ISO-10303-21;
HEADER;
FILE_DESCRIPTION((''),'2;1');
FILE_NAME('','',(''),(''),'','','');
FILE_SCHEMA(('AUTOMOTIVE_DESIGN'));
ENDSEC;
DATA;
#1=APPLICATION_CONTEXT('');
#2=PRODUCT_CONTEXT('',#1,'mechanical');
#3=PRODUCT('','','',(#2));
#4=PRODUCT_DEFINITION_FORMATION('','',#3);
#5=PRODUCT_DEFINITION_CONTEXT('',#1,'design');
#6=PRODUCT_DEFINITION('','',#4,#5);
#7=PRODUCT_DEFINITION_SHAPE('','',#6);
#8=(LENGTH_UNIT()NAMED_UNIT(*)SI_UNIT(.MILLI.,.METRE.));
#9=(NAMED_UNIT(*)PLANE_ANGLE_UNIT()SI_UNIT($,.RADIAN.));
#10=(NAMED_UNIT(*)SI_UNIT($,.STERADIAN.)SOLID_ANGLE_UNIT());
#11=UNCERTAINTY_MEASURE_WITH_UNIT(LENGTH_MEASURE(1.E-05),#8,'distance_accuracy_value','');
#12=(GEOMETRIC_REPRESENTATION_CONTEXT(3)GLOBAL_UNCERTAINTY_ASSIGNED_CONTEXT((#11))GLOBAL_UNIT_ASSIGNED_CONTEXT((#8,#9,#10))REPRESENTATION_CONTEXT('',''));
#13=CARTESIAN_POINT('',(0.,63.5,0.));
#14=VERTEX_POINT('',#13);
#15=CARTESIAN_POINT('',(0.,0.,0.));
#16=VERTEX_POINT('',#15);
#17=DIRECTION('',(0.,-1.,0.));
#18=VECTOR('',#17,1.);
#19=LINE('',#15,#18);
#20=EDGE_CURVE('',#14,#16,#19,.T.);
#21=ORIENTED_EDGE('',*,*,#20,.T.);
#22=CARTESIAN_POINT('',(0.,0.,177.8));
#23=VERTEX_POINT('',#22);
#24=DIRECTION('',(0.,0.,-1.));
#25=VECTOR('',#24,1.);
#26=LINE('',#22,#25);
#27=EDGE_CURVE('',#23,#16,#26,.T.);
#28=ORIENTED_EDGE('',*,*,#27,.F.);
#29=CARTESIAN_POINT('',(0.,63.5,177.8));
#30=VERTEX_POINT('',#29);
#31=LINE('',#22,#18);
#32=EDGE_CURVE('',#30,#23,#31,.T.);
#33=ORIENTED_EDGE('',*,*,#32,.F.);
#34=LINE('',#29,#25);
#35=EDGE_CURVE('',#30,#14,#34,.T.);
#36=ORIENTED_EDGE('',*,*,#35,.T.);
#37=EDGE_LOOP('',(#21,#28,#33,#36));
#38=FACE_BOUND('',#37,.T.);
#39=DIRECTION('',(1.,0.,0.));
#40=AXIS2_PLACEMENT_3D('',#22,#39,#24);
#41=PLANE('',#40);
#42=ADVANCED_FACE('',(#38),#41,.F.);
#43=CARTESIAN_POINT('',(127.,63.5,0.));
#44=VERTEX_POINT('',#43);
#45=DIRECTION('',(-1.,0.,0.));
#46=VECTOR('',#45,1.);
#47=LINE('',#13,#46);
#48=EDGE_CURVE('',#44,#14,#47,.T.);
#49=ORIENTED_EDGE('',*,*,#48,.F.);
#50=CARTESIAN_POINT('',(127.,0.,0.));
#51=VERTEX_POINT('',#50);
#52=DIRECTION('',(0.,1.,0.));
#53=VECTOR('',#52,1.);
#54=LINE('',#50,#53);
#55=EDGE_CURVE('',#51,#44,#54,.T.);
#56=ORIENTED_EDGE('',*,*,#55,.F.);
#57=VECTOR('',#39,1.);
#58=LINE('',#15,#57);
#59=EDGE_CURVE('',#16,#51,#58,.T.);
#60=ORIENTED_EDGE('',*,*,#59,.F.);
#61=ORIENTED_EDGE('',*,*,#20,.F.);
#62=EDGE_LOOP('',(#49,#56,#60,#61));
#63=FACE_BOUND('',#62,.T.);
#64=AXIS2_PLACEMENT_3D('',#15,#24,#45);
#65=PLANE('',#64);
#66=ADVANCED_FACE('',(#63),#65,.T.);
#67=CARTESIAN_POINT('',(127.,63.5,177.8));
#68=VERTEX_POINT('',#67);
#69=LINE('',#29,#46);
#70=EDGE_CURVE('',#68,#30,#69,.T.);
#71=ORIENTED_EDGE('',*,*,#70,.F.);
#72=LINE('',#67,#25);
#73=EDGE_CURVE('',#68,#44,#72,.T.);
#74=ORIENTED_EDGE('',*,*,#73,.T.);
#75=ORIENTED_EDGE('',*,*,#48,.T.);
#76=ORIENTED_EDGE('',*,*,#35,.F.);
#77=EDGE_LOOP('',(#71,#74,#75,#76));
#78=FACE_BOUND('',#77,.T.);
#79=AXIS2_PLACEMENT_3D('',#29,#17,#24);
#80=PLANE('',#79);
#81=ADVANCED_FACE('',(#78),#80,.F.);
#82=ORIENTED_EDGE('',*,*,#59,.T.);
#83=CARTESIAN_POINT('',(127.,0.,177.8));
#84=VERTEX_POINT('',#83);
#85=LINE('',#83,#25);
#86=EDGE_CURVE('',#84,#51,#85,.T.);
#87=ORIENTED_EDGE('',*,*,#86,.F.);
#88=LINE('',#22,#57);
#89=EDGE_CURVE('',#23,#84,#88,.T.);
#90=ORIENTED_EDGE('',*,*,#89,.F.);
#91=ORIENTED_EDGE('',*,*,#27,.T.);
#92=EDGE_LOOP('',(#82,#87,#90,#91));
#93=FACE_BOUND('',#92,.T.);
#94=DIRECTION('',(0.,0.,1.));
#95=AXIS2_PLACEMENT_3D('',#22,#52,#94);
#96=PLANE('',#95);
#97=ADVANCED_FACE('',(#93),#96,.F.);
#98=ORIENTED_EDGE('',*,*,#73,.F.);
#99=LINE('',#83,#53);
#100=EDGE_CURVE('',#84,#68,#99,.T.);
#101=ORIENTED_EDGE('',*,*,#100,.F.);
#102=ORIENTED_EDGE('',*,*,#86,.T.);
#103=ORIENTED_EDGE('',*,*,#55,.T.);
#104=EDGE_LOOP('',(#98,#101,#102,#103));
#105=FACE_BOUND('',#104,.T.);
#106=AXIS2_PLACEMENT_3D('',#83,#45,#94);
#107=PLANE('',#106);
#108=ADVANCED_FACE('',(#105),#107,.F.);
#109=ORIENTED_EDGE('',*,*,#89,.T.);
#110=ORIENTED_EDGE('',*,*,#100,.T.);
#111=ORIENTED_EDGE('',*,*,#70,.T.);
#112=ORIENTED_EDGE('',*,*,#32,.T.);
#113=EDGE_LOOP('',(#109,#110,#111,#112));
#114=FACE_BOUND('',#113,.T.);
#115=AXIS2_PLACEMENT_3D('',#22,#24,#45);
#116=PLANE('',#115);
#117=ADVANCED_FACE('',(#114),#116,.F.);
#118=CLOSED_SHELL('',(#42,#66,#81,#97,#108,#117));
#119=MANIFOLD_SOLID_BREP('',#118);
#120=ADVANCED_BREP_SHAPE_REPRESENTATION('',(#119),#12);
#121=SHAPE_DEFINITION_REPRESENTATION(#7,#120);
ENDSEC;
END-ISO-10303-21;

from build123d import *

# Parameters (mm, degrees)
SKETCH2_W           = 127
SKETCH2_H           = 63.5
BOSS_EXTRUDE1_DEPTH = 177.8


with BuildPart() as part:
    # Sketch2 → Boss-Extrude1 (new body)
    with BuildSketch(Plane.XY):
        with Locations((63.5, 31.75)):
            Rectangle(SKETCH2_W, SKETCH2_H)
    extrude(amount=BOSS_EXTRUDE1_DEPTH)


solid = part.part
